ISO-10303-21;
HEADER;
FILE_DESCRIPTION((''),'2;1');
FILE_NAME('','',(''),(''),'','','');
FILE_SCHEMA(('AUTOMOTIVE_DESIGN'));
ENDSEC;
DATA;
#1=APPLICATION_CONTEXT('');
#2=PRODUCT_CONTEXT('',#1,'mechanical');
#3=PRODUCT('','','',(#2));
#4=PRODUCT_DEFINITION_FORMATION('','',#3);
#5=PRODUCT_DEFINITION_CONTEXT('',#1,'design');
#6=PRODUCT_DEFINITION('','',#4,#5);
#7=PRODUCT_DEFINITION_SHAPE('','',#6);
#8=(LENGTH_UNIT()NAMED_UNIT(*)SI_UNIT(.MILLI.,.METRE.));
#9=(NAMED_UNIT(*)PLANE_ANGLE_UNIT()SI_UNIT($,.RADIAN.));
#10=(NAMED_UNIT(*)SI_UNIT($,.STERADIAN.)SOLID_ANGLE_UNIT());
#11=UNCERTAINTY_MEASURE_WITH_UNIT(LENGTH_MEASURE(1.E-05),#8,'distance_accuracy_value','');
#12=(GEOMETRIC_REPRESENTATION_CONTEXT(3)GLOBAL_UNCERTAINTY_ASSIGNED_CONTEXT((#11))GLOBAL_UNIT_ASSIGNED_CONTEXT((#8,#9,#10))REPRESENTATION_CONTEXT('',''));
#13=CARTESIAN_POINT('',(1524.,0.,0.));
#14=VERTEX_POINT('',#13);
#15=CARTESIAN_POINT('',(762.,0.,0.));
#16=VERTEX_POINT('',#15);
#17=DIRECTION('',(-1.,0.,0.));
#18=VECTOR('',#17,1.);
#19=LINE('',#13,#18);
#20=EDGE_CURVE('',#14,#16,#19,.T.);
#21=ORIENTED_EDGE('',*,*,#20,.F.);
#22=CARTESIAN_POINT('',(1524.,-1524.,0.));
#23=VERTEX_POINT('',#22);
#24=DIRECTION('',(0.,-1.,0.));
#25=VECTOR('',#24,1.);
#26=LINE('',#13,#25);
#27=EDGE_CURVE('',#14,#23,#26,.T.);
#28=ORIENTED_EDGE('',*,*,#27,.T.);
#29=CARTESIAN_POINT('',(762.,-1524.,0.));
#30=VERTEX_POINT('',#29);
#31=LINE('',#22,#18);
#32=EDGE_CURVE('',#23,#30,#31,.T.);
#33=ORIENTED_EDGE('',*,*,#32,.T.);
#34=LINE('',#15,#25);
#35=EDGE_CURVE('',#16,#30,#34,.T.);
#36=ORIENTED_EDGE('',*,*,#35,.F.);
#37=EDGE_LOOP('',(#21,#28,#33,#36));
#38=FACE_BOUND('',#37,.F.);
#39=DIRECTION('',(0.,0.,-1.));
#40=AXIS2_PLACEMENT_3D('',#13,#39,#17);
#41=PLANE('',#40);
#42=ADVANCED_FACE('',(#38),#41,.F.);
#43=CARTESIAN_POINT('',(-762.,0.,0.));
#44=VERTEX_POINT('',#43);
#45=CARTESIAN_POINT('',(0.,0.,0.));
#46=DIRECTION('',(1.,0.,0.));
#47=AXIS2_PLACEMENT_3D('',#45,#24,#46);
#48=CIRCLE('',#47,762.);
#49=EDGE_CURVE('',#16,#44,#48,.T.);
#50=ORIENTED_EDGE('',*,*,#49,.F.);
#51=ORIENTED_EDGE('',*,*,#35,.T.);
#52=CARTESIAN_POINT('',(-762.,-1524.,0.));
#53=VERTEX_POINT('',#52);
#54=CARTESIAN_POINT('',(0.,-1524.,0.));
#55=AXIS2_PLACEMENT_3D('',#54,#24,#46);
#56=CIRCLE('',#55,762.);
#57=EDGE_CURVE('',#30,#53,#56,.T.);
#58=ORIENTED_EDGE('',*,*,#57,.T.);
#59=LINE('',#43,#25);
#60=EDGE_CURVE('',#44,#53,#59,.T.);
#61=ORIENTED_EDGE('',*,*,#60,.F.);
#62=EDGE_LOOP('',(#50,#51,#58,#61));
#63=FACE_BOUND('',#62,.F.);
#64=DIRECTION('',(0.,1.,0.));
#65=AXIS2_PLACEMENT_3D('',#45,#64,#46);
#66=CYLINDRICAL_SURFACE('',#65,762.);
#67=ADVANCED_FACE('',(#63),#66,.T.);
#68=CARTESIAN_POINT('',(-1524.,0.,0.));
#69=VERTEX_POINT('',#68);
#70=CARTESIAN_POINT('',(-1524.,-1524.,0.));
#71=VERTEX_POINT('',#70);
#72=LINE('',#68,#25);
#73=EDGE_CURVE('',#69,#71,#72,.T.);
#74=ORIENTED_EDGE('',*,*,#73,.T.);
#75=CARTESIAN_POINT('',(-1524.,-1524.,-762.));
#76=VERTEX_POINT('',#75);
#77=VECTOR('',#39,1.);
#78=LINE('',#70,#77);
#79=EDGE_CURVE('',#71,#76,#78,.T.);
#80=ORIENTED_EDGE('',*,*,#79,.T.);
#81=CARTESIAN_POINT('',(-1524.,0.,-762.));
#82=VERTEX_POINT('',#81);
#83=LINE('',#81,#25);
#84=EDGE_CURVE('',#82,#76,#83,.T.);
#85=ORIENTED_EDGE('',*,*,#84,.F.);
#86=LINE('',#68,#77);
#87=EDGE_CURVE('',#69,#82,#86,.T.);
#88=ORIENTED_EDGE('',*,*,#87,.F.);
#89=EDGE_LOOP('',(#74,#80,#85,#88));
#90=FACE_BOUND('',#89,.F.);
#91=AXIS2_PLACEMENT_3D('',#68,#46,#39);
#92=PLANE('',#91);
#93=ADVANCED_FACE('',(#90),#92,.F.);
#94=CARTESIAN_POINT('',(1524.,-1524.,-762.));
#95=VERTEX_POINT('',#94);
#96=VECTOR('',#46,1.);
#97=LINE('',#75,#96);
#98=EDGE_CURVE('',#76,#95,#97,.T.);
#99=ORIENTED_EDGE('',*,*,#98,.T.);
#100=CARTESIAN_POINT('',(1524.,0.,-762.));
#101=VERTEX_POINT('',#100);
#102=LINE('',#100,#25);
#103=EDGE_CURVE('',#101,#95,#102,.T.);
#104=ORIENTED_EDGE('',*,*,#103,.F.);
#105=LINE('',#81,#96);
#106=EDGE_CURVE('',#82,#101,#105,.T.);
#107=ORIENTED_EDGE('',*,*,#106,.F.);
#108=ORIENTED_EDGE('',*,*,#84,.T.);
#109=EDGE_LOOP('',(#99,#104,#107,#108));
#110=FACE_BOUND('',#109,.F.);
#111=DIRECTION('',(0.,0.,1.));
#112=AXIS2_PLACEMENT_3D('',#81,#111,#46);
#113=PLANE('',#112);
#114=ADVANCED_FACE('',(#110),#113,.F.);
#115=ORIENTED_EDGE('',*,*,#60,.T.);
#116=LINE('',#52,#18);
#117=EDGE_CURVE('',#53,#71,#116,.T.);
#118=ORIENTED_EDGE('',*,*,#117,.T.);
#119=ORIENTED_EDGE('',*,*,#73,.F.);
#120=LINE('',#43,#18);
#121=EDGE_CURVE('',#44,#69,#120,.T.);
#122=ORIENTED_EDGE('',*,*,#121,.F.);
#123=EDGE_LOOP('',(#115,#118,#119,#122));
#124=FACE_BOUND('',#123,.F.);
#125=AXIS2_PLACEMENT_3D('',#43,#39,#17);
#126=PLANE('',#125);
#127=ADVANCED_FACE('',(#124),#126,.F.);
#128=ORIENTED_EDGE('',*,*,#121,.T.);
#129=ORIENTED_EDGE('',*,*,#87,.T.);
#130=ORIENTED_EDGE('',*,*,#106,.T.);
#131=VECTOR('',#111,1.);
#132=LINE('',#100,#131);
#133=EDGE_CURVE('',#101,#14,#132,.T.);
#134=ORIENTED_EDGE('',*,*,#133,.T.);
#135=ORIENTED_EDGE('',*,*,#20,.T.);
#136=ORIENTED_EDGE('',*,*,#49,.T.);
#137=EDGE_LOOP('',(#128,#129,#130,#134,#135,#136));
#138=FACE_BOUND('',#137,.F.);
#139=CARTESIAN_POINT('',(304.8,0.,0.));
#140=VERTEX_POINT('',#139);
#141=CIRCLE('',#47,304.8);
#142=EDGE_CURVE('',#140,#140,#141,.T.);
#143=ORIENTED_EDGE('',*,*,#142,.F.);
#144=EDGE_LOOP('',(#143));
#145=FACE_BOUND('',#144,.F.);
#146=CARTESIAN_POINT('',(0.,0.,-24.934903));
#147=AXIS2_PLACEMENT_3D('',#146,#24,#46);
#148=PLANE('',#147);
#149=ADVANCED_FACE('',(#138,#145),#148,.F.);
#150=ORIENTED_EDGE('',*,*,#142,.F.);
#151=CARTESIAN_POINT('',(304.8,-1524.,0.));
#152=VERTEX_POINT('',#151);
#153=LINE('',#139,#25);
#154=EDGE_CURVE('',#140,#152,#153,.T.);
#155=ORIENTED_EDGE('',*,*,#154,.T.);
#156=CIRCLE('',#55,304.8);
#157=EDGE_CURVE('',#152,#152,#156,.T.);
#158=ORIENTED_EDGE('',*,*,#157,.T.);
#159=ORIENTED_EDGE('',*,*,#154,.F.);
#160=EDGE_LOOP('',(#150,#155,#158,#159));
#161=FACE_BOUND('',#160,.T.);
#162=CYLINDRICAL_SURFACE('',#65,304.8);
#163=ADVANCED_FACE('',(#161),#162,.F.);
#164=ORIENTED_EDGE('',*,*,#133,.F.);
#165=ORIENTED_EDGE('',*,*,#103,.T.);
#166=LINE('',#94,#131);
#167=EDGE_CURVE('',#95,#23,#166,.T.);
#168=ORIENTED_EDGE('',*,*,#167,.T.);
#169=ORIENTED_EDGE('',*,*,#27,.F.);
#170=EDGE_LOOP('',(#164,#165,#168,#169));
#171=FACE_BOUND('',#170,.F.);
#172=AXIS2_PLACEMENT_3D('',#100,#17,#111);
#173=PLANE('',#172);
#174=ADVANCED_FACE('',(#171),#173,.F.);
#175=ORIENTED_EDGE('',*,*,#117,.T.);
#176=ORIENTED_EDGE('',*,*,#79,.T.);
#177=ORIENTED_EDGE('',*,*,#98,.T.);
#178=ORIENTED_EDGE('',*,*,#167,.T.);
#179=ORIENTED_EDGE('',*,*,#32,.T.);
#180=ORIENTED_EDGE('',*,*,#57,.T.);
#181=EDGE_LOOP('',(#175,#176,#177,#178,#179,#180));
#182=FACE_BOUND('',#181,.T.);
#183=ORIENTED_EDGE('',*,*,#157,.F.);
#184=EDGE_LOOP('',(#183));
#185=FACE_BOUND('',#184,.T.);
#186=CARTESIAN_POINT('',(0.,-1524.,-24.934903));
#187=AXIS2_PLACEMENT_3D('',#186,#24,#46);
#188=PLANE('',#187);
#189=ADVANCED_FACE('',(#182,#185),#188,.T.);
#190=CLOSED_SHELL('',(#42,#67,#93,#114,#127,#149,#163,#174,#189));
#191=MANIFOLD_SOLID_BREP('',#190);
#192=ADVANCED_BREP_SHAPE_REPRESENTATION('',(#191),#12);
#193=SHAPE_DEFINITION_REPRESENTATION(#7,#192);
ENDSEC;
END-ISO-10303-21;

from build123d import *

# Parameters (mm, degrees)
F0_R     = 304.8
F1_DEPTH = 1524


with BuildPart() as f1:
    # F0 (on Front) → F1 (new body)
    with BuildSketch(Plane.XZ):
        with BuildLine():
            ThreePointArc((0, -762), (538.815367, -538.815367), (762, 0))
            ThreePointArc((762, 0), (0, 762), (-762, 0))
            ThreePointArc((-762, 0), (-538.815367, -538.815367), (0, -762))
        make_face()
        Circle(F0_R, mode=Mode.SUBTRACT)
        with BuildLine():
            Line((1524, 0), (762, 0))
            ThreePointArc((762, 0), (538.815367, -538.815367), (0, -762))
            Line((0, -762), (1524, -762))
            Line((1524, -762), (1524, 0))
        make_face()
        with BuildLine():
            ThreePointArc((0, -762), (-538.815367, -538.815367), (-762, 0))
            Line((-762, 0), (-1524, 0))
            Line((-1524, 0), (-1524, -762))
            Line((-1524, -762), (0, -762))
        make_face()
    extrude(amount=F1_DEPTH)


solid = f1.part
